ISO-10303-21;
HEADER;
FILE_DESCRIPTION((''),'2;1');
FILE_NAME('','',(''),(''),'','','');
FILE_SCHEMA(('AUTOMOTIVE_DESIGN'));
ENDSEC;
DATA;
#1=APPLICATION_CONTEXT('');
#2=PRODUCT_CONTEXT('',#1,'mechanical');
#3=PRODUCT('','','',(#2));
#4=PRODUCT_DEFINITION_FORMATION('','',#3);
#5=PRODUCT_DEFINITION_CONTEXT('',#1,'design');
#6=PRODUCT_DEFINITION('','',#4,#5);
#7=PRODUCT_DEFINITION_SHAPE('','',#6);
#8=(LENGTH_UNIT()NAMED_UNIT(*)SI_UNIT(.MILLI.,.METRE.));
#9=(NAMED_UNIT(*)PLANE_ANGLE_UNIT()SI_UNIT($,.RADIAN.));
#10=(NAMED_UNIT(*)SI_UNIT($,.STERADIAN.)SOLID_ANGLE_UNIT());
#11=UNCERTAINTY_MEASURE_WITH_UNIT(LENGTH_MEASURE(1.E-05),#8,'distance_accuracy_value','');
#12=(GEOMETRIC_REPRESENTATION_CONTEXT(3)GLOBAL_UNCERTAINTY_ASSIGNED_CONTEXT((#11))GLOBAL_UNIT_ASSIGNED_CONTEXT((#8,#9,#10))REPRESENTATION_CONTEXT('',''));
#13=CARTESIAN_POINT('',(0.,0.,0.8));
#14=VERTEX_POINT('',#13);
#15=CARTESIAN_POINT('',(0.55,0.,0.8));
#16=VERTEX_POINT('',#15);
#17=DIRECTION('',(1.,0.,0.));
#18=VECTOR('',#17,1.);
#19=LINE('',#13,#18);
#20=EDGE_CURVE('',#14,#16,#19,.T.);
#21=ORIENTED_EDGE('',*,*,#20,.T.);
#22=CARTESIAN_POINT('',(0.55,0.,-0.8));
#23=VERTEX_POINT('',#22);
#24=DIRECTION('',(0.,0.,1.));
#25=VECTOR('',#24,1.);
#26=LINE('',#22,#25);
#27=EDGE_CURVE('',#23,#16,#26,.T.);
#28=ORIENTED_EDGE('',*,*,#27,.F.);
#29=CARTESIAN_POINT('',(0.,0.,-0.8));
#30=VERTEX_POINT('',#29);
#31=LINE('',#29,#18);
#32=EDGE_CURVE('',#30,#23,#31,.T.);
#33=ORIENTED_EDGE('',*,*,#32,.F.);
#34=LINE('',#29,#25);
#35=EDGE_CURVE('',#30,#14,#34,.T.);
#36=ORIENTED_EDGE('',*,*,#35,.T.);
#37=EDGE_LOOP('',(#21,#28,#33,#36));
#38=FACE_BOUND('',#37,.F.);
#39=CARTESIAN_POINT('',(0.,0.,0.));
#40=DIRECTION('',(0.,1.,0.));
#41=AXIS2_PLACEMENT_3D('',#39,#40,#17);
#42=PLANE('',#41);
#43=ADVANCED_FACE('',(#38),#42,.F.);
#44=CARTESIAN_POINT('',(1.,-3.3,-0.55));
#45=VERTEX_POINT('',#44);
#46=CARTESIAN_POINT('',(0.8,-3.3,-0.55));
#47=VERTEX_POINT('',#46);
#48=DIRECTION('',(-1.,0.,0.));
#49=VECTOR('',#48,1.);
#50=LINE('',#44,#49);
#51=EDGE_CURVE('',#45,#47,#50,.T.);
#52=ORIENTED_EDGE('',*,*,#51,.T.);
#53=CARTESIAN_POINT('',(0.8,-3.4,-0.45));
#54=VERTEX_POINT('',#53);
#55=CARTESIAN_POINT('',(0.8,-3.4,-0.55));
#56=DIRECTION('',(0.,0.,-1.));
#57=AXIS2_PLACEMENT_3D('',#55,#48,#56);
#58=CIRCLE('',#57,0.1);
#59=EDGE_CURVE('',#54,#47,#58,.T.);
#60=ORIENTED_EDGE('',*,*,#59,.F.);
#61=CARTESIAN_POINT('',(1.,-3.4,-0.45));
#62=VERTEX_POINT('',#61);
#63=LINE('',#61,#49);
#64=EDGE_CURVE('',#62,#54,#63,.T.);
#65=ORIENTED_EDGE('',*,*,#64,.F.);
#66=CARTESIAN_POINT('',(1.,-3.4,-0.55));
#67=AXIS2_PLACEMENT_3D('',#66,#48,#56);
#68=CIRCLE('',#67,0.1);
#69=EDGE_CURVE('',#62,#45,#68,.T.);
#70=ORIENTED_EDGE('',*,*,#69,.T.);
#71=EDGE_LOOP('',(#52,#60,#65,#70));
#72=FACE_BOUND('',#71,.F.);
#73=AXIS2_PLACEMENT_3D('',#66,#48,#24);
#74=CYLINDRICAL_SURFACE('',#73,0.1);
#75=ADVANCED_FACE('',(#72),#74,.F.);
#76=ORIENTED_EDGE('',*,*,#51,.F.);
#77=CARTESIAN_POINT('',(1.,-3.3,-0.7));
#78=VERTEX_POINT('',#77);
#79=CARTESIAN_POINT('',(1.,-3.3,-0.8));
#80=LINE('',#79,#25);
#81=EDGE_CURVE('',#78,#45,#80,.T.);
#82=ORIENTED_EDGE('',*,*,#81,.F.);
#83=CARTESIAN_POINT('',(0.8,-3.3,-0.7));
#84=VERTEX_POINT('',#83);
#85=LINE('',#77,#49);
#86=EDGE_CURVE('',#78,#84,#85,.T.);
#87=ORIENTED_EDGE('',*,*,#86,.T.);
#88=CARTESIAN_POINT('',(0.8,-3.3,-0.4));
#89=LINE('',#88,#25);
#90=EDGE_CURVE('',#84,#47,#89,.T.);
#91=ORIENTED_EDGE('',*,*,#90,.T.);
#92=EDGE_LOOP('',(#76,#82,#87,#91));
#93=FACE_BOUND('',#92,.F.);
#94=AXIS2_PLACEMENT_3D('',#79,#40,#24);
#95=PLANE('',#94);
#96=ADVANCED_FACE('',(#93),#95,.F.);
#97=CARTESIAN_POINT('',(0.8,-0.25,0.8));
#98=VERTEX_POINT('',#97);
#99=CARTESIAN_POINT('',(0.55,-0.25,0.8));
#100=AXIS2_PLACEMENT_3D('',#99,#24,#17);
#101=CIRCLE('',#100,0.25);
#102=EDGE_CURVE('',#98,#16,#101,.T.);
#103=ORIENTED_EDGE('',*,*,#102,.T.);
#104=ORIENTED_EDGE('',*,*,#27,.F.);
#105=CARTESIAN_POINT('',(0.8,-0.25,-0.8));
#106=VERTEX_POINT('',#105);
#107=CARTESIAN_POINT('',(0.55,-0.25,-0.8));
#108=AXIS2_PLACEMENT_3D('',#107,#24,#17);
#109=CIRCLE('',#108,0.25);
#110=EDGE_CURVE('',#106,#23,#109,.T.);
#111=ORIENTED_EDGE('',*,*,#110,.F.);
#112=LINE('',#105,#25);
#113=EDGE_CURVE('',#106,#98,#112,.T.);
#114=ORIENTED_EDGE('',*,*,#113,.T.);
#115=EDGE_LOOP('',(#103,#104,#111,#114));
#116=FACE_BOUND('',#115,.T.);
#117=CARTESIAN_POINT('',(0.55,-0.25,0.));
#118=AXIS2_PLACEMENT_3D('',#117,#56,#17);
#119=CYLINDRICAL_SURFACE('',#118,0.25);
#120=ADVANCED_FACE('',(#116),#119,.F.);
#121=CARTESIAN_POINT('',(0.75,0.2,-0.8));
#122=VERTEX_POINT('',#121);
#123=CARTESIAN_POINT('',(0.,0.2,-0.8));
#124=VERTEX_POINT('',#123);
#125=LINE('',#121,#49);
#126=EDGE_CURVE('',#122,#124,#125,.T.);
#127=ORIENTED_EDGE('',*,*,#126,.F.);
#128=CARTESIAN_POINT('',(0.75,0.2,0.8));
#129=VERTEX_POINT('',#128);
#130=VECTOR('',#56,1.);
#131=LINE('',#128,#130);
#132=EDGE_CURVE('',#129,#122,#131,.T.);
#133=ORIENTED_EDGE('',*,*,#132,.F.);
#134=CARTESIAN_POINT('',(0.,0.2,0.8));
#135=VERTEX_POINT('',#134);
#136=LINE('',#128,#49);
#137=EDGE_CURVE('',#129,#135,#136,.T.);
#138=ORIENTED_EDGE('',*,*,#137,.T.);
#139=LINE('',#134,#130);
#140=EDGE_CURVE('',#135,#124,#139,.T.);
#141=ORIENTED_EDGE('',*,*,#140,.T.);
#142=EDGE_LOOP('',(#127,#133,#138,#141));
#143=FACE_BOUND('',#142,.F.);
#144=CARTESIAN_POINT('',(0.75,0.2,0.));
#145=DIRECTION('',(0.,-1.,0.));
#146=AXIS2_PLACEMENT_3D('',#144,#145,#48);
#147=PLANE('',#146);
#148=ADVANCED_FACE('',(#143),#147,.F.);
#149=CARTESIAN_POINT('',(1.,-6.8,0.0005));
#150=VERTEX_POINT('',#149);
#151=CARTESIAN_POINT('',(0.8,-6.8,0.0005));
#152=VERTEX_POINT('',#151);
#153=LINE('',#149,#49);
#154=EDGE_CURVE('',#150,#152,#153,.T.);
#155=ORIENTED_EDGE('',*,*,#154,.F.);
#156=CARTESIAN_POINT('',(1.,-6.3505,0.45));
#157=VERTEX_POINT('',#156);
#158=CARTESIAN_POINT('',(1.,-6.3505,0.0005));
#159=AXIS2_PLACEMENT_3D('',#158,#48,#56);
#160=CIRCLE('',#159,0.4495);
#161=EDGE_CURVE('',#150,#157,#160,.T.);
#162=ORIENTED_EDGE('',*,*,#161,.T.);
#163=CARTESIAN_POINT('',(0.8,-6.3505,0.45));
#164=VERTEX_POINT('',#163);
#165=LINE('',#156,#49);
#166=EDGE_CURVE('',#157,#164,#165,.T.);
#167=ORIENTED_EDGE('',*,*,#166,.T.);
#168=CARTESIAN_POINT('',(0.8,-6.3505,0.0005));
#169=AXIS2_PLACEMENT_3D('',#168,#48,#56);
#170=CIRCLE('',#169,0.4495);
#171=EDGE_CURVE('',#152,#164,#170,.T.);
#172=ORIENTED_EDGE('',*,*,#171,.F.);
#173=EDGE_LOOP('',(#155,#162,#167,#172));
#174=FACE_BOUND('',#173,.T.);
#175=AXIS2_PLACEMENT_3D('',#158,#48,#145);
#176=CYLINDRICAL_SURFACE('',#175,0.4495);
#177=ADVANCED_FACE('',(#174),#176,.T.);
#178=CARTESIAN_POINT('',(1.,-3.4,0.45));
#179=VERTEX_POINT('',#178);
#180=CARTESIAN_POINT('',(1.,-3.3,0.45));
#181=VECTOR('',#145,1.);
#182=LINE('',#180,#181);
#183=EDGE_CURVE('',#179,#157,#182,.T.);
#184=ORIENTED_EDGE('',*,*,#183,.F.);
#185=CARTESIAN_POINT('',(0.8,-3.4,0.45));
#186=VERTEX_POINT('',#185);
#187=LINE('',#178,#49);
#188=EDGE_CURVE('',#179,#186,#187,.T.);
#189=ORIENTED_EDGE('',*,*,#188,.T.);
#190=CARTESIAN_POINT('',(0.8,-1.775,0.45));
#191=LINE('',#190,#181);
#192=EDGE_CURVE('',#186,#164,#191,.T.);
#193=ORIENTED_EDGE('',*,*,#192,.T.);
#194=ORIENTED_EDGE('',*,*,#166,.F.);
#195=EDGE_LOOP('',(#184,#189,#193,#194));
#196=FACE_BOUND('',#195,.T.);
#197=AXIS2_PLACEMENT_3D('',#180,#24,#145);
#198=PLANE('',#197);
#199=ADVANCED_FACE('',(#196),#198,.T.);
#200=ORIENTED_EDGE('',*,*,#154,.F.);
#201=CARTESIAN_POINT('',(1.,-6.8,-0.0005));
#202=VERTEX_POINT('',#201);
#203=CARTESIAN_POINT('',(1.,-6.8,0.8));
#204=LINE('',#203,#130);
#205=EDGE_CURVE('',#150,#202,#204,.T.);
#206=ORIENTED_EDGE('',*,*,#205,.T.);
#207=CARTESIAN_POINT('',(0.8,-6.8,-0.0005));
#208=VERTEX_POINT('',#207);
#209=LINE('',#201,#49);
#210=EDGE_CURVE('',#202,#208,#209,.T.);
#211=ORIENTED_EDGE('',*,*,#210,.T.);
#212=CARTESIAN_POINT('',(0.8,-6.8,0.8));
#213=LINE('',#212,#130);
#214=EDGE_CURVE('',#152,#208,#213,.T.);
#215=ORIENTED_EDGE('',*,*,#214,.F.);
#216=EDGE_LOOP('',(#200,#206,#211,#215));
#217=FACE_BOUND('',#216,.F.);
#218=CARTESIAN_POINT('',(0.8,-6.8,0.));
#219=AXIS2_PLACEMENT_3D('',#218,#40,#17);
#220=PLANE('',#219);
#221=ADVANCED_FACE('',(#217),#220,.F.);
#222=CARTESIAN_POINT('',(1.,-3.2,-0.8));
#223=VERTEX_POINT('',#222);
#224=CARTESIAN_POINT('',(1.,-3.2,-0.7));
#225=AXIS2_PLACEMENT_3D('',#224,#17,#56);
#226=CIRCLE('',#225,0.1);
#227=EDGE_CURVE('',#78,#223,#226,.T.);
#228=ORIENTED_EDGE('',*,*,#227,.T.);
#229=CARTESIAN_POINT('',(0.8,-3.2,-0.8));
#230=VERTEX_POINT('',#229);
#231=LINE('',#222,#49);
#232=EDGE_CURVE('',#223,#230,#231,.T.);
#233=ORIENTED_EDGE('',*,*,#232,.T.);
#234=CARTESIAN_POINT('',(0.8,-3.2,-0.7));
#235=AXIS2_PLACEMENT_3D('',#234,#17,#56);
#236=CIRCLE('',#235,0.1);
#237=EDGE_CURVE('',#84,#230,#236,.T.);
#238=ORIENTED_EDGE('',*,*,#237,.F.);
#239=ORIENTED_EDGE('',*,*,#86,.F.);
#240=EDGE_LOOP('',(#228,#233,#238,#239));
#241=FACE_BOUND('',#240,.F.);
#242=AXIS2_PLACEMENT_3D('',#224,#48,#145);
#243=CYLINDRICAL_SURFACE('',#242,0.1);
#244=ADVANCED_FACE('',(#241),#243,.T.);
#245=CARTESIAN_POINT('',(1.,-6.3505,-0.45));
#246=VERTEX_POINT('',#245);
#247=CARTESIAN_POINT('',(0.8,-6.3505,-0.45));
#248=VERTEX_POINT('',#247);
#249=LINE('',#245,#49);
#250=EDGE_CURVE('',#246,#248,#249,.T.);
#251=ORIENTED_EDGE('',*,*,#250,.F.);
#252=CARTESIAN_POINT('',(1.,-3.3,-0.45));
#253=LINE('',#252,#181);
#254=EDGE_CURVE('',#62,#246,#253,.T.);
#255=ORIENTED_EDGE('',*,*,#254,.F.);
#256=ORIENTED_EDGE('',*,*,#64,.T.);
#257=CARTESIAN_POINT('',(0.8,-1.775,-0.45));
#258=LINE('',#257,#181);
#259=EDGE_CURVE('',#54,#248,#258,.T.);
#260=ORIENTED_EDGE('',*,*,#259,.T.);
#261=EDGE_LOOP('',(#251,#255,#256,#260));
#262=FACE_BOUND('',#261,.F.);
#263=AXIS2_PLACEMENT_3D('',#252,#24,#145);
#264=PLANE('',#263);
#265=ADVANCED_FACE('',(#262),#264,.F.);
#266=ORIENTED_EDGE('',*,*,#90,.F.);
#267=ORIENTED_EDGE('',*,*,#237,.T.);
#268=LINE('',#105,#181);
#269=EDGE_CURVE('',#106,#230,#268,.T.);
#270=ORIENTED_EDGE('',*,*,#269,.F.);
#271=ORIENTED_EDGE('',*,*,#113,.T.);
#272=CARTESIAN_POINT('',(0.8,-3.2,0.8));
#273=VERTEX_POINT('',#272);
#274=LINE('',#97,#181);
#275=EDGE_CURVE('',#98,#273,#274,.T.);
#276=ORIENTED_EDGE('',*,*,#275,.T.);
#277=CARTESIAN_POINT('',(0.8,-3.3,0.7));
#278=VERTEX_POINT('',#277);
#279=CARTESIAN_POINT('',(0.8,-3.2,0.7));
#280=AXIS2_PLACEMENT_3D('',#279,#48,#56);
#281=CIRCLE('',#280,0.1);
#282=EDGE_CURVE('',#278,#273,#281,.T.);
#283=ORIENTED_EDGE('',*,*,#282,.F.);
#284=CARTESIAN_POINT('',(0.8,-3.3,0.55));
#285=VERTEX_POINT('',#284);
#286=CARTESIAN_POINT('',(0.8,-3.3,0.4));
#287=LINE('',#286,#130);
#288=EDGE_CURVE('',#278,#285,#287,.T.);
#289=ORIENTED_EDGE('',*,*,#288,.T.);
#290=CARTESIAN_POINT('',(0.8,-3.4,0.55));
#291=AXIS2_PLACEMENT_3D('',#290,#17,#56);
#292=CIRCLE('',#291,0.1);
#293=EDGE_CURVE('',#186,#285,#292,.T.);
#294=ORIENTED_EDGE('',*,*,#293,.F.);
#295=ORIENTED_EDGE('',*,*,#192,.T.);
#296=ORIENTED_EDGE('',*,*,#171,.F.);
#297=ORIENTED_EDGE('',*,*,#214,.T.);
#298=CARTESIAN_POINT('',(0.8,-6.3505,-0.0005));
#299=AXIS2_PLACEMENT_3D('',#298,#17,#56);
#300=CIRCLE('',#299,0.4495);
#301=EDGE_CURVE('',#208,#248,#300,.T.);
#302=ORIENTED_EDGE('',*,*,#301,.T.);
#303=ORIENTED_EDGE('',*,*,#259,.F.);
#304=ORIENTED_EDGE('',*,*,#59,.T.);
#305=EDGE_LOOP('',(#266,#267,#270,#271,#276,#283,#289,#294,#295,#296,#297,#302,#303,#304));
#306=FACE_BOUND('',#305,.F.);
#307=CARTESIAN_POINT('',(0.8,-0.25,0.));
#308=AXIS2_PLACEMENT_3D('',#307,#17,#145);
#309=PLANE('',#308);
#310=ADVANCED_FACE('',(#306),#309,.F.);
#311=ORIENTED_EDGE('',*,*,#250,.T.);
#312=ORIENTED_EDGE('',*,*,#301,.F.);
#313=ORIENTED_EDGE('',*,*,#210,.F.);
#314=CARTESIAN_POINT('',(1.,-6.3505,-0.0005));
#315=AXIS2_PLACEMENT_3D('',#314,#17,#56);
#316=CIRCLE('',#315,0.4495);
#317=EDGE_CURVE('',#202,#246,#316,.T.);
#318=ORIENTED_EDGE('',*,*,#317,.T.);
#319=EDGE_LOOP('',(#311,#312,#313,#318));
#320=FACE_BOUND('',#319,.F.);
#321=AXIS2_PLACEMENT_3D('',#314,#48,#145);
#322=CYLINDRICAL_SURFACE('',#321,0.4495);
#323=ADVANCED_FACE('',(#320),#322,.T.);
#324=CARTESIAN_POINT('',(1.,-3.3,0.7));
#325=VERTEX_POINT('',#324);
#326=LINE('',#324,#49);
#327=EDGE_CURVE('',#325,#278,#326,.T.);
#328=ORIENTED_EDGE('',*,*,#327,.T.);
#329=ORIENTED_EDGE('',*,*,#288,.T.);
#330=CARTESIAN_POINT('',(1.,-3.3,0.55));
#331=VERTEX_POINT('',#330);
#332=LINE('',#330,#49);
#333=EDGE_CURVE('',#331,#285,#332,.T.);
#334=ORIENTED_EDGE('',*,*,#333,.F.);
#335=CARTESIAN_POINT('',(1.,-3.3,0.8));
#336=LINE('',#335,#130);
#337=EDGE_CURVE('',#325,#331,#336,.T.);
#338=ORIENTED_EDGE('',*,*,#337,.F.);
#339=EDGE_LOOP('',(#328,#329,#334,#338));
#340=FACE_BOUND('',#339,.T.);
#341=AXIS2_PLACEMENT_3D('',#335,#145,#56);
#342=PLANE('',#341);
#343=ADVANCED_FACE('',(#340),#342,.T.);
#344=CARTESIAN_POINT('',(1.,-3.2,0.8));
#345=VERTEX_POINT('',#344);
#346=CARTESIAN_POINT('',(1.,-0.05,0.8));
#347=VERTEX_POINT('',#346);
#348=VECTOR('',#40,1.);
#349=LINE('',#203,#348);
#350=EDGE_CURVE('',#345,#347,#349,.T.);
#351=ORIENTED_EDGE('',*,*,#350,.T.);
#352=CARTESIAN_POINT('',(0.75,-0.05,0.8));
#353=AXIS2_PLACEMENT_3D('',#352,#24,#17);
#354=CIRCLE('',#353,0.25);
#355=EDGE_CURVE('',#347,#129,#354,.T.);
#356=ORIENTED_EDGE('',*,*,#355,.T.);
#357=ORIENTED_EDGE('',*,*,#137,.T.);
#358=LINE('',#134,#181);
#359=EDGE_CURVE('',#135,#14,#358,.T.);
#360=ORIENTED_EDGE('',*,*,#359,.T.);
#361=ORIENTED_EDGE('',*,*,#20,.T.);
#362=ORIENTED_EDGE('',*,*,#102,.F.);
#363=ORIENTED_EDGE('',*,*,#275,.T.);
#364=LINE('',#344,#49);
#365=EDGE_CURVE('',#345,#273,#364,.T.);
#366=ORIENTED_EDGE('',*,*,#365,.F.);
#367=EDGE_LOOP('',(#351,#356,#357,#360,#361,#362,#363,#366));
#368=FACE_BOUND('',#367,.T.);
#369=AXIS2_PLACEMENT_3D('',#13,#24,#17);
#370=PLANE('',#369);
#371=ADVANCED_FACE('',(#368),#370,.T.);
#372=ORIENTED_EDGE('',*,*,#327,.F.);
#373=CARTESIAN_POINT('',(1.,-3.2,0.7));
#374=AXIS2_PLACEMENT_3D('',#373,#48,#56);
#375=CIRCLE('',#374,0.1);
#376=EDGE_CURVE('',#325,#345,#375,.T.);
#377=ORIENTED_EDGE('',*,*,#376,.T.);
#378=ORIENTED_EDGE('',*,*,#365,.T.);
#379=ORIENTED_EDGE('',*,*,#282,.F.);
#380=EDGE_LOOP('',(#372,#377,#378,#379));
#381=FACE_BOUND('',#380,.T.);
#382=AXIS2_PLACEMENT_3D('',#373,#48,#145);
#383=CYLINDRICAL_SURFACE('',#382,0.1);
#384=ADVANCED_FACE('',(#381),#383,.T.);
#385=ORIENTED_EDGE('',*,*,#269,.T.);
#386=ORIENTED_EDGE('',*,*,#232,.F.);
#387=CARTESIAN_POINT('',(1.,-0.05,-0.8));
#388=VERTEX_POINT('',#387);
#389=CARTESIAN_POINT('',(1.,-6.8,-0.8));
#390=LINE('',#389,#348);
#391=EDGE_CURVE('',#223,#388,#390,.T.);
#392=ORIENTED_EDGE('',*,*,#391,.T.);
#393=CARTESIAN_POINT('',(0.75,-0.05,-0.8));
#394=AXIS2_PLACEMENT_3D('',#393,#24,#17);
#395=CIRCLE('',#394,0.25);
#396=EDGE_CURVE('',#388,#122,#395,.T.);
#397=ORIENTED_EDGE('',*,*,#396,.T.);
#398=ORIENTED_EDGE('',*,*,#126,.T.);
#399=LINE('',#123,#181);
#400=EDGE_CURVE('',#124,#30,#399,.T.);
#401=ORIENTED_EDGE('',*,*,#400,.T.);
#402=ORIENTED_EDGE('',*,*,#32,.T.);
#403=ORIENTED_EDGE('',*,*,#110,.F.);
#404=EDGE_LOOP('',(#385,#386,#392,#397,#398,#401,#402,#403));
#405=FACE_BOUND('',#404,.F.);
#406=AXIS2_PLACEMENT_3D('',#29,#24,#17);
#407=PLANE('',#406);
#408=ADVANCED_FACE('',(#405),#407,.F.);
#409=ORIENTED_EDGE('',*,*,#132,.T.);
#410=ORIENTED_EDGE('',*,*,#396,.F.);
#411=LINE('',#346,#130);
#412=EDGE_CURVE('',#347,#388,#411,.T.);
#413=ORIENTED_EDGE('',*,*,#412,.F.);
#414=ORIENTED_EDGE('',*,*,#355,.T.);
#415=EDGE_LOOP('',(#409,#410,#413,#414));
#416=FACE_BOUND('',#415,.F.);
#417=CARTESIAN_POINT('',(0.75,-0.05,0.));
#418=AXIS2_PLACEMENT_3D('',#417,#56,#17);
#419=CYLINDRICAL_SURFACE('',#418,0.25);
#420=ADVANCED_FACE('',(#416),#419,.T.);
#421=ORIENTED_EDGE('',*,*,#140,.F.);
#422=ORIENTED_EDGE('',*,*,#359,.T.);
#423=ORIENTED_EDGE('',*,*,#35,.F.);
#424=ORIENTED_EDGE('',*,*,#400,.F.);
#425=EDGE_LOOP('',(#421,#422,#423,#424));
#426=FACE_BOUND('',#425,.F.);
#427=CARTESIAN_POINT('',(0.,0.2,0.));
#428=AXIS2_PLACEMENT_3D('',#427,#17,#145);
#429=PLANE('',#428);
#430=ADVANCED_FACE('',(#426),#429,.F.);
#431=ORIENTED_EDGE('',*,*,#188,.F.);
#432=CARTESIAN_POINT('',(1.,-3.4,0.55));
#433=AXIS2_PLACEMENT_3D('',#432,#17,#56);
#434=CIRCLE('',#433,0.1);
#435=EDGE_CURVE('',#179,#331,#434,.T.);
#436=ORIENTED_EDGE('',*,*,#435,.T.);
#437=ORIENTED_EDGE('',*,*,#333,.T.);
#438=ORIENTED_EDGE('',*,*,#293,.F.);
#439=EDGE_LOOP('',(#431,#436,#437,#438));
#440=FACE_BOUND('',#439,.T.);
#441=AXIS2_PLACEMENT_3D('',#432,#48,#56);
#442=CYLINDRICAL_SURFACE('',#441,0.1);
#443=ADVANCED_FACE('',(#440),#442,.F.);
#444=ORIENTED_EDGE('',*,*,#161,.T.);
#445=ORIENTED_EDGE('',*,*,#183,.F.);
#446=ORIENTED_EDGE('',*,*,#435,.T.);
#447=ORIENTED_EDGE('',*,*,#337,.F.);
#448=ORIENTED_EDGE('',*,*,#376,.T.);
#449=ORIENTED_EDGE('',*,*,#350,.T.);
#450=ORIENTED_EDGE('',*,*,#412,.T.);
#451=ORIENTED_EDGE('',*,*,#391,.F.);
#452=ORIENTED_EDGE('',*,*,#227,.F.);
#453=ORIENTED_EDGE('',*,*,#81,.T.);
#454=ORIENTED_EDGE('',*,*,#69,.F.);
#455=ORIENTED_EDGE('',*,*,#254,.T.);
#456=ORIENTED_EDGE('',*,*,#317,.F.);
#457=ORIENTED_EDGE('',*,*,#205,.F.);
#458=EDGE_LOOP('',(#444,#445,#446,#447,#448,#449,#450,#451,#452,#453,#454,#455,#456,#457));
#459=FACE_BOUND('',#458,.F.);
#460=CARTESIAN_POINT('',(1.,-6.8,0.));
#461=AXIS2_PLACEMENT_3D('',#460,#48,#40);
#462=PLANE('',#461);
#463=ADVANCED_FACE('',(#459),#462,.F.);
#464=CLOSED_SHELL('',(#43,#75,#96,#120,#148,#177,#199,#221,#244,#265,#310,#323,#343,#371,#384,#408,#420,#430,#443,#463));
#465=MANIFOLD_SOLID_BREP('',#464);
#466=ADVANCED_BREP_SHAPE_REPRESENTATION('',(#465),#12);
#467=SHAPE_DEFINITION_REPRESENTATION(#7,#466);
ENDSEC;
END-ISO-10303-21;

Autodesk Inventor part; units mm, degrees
ref_plane "YZ Plane" through (0, 0, 0) normal (1, 0, 0) x (0, 1, 0)
ref_plane "XZ Plane" through (0, 0, 0) normal (0, 1, 0) x (-1, 0, 0)
ref_plane "XY Plane" through (0, 0, 0) normal (0, 0, 1) x (1, 0, 0)
sketch "Sketch1" plane through (0, 0, 0) normal (0, 0, 1) x (1, 0, 0)
  line L0 (0, 0) -> (0.55, 0)
  line L1 (0.8, -0.25) -> (0.8, -6.8)
  line L2 (0.8, -6.8) -> (1, -6.8)
  line L3 (1, -6.8) -> (1, -0.05)
  line L4 (0.75, 0.2) -> (0, 0.2)
  line L5 (0, 0.2) -> (0, 0)
  arc A0 (0.8, -0.25) -> (0.55, 0) centre (0.55, -0.25) ccw
  arc A1 (1, -0.05) -> (0.75, 0.2) centre (0.75, -0.05) ccw
  point P0 (0.8, 0)
  point P1 (1, 0.2)
  dimension "d0" = 0.2
  dimension "d1" = 0.2
  dimension "d2" = 7
  dimension "d3" = 1
  dimension "d6" = 0.25
extrude "Extrusion1" add sketch "Sketch1" along normal mid plane 1.6
sketch "Sketch2" plane through (1, -6.8, 0.8) normal (1, 0, 0) x (0, 0, -1)
  line L0 (0, 6.75) -> (0, 0) projected
  line L1 (1.6, 0) -> (0, 0) projected
  line L2 (1.6, 0) -> (1.6, 6.75) projected
  line L3 (0, 3.5) -> (0.35, 3.5)
  line L4 (0.35, 3.5) -> (0.35, 0)
  line L5 (0.35, 0) -> (0, 0)
  line L6 (0, 0) -> (0, 3.5)
  line L7 (1.6, 3.5) -> (1.25, 3.5)
  line L8 (1.25, 3.5) -> (1.25, 0)
  line L9 (1.25, 0) -> (1.6, 0)
  line L10 (1.6, 0) -> (1.6, 3.5)
  point P0 (0.8, 6.8)
  dimension "d8" = 0.9
  dimension "d9" = 3.5
  dimension "d10" = 3.5
  dimension "d11" = 0.35
extrude "Extrusion2" cut sketch "Sketch2" against normal through all
fillet "Fillet1" radius 0.45 2 edges at (0.9, -6.8, 0.45) (0.9, -6.8, -0.45)
fillet "Fillet2" radius 0.1 4 edges at (0.9, -3.3, 0.8) (0.9, -3.3, 0.45) (0.9, -3.3, -0.45) (0.9, -3.3, -0.8)
equation "\"d1\" = d0"
equation "\"d10\" = d9"
properties part number "12mm Incremental Encoder Pin"
